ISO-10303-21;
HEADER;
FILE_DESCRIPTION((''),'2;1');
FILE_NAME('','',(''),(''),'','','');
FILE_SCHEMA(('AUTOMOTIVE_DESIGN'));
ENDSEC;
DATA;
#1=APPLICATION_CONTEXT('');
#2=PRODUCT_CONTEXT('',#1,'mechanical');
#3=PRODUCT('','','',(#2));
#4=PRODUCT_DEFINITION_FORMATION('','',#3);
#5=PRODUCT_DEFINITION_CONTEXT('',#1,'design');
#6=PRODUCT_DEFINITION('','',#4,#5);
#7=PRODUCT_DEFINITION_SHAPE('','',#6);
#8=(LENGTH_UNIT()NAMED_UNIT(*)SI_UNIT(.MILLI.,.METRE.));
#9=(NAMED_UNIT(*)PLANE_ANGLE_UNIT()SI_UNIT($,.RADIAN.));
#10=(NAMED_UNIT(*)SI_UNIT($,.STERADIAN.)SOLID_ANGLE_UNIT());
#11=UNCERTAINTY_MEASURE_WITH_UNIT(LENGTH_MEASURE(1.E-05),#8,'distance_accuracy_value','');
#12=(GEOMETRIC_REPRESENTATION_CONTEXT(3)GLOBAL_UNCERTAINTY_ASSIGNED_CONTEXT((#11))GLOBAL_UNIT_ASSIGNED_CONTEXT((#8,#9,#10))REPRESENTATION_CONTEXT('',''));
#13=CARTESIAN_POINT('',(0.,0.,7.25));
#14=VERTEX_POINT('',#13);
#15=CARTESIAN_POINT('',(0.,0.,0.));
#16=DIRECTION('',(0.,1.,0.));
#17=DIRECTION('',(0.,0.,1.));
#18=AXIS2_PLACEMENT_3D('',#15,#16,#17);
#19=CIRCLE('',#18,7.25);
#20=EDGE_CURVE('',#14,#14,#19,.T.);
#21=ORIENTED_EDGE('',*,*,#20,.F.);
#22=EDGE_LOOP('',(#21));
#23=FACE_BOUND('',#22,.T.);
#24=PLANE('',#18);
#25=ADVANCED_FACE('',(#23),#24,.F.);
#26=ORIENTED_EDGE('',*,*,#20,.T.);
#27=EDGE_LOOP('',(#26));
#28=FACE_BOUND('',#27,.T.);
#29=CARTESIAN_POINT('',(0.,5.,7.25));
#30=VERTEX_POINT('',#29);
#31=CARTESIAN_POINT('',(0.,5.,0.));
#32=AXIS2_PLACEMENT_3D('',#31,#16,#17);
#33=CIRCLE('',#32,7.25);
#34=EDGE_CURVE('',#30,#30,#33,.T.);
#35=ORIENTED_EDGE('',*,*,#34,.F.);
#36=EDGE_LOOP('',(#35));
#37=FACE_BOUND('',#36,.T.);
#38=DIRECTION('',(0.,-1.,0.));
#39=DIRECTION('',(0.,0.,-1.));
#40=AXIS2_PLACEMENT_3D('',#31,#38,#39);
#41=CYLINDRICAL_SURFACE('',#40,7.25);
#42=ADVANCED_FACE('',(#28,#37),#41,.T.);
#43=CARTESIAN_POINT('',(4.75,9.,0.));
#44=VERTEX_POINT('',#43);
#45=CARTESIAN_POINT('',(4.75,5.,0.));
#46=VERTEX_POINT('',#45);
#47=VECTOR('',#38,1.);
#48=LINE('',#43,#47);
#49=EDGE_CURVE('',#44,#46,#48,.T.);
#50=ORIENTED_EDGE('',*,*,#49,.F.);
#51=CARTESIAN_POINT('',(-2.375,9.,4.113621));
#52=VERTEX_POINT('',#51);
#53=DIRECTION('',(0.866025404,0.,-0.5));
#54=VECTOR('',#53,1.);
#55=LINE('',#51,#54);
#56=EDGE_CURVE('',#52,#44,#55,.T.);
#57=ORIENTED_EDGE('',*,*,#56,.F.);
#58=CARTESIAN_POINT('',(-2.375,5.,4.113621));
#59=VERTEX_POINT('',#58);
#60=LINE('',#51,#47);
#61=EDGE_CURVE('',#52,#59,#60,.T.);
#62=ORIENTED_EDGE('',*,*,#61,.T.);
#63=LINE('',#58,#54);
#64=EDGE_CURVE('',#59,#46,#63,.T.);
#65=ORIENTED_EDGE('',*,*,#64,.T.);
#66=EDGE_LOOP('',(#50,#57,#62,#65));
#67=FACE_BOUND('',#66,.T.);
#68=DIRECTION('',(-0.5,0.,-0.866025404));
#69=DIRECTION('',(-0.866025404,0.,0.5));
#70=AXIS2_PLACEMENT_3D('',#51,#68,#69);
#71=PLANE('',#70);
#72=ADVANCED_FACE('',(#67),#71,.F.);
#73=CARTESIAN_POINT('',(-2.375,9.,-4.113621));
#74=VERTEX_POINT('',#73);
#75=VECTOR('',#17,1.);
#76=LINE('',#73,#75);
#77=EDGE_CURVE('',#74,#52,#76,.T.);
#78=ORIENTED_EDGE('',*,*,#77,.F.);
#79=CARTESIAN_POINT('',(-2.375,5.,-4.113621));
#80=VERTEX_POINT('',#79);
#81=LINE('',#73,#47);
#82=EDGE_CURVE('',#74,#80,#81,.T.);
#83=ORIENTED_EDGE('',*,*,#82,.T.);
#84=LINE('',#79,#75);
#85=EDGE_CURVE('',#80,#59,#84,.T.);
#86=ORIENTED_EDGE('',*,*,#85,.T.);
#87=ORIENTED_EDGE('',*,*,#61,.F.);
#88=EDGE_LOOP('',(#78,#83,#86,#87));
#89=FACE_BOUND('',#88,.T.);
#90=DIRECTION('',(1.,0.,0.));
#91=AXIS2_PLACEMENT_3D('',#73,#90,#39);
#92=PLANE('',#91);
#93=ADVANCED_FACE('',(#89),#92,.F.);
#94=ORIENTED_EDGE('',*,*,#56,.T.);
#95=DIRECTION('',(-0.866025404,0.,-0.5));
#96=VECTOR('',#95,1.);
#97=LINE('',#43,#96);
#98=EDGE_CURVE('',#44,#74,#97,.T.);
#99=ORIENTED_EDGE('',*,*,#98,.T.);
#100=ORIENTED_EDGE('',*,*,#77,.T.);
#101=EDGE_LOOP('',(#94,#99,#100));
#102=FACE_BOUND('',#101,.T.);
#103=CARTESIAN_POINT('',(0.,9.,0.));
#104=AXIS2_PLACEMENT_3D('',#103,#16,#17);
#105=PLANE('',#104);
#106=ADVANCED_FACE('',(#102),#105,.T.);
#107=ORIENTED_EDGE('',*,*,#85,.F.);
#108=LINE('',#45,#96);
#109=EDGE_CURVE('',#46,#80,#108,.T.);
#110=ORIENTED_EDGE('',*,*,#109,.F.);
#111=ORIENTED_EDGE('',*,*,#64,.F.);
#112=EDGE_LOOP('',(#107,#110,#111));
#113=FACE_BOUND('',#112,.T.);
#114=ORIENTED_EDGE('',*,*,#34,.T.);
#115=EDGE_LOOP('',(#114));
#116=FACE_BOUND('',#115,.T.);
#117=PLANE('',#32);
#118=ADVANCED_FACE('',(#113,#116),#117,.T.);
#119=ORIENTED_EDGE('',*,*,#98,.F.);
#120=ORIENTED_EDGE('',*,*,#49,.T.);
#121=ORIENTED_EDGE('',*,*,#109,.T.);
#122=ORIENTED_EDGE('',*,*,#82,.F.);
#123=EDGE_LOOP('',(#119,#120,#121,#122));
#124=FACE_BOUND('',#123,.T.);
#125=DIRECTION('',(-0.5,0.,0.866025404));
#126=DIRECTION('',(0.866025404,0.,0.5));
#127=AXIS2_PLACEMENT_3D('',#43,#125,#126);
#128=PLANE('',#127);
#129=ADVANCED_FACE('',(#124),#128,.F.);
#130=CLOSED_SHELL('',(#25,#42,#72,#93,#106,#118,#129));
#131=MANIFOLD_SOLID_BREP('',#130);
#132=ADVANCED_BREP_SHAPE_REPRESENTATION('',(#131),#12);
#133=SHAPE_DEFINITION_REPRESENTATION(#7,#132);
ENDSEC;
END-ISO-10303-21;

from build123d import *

# Parameters (mm, degrees)
SKETCH1_R           = 7.25
BOSS_EXTRUDE1_DEPTH = 5
BOSS_EXTRUDE2_DEPTH = 4


with BuildPart() as part:
    # Sketch1 → Boss-Extrude1 (new body)
    with BuildSketch(Plane(origin=(0, 0, 0), x_dir=(1, 0, 0), z_dir=(0, 1, 0))):
        with Locations(Location((0, 0, 0), (0, 0, 270))):
            Circle(SKETCH1_R)
    extrude(amount=BOSS_EXTRUDE1_DEPTH)

    # Sketch2 → Boss-Extrude2 (add)
    with BuildSketch(Plane(origin=(0, 5, 0), x_dir=(1, 0, 0), z_dir=(0, 1, 0))):
        Polygon((4.75, 0), (-2.375, 4.113620668), (-2.375, -4.113620668), align=None)
    extrude(amount=BOSS_EXTRUDE2_DEPTH)


solid = part.part
